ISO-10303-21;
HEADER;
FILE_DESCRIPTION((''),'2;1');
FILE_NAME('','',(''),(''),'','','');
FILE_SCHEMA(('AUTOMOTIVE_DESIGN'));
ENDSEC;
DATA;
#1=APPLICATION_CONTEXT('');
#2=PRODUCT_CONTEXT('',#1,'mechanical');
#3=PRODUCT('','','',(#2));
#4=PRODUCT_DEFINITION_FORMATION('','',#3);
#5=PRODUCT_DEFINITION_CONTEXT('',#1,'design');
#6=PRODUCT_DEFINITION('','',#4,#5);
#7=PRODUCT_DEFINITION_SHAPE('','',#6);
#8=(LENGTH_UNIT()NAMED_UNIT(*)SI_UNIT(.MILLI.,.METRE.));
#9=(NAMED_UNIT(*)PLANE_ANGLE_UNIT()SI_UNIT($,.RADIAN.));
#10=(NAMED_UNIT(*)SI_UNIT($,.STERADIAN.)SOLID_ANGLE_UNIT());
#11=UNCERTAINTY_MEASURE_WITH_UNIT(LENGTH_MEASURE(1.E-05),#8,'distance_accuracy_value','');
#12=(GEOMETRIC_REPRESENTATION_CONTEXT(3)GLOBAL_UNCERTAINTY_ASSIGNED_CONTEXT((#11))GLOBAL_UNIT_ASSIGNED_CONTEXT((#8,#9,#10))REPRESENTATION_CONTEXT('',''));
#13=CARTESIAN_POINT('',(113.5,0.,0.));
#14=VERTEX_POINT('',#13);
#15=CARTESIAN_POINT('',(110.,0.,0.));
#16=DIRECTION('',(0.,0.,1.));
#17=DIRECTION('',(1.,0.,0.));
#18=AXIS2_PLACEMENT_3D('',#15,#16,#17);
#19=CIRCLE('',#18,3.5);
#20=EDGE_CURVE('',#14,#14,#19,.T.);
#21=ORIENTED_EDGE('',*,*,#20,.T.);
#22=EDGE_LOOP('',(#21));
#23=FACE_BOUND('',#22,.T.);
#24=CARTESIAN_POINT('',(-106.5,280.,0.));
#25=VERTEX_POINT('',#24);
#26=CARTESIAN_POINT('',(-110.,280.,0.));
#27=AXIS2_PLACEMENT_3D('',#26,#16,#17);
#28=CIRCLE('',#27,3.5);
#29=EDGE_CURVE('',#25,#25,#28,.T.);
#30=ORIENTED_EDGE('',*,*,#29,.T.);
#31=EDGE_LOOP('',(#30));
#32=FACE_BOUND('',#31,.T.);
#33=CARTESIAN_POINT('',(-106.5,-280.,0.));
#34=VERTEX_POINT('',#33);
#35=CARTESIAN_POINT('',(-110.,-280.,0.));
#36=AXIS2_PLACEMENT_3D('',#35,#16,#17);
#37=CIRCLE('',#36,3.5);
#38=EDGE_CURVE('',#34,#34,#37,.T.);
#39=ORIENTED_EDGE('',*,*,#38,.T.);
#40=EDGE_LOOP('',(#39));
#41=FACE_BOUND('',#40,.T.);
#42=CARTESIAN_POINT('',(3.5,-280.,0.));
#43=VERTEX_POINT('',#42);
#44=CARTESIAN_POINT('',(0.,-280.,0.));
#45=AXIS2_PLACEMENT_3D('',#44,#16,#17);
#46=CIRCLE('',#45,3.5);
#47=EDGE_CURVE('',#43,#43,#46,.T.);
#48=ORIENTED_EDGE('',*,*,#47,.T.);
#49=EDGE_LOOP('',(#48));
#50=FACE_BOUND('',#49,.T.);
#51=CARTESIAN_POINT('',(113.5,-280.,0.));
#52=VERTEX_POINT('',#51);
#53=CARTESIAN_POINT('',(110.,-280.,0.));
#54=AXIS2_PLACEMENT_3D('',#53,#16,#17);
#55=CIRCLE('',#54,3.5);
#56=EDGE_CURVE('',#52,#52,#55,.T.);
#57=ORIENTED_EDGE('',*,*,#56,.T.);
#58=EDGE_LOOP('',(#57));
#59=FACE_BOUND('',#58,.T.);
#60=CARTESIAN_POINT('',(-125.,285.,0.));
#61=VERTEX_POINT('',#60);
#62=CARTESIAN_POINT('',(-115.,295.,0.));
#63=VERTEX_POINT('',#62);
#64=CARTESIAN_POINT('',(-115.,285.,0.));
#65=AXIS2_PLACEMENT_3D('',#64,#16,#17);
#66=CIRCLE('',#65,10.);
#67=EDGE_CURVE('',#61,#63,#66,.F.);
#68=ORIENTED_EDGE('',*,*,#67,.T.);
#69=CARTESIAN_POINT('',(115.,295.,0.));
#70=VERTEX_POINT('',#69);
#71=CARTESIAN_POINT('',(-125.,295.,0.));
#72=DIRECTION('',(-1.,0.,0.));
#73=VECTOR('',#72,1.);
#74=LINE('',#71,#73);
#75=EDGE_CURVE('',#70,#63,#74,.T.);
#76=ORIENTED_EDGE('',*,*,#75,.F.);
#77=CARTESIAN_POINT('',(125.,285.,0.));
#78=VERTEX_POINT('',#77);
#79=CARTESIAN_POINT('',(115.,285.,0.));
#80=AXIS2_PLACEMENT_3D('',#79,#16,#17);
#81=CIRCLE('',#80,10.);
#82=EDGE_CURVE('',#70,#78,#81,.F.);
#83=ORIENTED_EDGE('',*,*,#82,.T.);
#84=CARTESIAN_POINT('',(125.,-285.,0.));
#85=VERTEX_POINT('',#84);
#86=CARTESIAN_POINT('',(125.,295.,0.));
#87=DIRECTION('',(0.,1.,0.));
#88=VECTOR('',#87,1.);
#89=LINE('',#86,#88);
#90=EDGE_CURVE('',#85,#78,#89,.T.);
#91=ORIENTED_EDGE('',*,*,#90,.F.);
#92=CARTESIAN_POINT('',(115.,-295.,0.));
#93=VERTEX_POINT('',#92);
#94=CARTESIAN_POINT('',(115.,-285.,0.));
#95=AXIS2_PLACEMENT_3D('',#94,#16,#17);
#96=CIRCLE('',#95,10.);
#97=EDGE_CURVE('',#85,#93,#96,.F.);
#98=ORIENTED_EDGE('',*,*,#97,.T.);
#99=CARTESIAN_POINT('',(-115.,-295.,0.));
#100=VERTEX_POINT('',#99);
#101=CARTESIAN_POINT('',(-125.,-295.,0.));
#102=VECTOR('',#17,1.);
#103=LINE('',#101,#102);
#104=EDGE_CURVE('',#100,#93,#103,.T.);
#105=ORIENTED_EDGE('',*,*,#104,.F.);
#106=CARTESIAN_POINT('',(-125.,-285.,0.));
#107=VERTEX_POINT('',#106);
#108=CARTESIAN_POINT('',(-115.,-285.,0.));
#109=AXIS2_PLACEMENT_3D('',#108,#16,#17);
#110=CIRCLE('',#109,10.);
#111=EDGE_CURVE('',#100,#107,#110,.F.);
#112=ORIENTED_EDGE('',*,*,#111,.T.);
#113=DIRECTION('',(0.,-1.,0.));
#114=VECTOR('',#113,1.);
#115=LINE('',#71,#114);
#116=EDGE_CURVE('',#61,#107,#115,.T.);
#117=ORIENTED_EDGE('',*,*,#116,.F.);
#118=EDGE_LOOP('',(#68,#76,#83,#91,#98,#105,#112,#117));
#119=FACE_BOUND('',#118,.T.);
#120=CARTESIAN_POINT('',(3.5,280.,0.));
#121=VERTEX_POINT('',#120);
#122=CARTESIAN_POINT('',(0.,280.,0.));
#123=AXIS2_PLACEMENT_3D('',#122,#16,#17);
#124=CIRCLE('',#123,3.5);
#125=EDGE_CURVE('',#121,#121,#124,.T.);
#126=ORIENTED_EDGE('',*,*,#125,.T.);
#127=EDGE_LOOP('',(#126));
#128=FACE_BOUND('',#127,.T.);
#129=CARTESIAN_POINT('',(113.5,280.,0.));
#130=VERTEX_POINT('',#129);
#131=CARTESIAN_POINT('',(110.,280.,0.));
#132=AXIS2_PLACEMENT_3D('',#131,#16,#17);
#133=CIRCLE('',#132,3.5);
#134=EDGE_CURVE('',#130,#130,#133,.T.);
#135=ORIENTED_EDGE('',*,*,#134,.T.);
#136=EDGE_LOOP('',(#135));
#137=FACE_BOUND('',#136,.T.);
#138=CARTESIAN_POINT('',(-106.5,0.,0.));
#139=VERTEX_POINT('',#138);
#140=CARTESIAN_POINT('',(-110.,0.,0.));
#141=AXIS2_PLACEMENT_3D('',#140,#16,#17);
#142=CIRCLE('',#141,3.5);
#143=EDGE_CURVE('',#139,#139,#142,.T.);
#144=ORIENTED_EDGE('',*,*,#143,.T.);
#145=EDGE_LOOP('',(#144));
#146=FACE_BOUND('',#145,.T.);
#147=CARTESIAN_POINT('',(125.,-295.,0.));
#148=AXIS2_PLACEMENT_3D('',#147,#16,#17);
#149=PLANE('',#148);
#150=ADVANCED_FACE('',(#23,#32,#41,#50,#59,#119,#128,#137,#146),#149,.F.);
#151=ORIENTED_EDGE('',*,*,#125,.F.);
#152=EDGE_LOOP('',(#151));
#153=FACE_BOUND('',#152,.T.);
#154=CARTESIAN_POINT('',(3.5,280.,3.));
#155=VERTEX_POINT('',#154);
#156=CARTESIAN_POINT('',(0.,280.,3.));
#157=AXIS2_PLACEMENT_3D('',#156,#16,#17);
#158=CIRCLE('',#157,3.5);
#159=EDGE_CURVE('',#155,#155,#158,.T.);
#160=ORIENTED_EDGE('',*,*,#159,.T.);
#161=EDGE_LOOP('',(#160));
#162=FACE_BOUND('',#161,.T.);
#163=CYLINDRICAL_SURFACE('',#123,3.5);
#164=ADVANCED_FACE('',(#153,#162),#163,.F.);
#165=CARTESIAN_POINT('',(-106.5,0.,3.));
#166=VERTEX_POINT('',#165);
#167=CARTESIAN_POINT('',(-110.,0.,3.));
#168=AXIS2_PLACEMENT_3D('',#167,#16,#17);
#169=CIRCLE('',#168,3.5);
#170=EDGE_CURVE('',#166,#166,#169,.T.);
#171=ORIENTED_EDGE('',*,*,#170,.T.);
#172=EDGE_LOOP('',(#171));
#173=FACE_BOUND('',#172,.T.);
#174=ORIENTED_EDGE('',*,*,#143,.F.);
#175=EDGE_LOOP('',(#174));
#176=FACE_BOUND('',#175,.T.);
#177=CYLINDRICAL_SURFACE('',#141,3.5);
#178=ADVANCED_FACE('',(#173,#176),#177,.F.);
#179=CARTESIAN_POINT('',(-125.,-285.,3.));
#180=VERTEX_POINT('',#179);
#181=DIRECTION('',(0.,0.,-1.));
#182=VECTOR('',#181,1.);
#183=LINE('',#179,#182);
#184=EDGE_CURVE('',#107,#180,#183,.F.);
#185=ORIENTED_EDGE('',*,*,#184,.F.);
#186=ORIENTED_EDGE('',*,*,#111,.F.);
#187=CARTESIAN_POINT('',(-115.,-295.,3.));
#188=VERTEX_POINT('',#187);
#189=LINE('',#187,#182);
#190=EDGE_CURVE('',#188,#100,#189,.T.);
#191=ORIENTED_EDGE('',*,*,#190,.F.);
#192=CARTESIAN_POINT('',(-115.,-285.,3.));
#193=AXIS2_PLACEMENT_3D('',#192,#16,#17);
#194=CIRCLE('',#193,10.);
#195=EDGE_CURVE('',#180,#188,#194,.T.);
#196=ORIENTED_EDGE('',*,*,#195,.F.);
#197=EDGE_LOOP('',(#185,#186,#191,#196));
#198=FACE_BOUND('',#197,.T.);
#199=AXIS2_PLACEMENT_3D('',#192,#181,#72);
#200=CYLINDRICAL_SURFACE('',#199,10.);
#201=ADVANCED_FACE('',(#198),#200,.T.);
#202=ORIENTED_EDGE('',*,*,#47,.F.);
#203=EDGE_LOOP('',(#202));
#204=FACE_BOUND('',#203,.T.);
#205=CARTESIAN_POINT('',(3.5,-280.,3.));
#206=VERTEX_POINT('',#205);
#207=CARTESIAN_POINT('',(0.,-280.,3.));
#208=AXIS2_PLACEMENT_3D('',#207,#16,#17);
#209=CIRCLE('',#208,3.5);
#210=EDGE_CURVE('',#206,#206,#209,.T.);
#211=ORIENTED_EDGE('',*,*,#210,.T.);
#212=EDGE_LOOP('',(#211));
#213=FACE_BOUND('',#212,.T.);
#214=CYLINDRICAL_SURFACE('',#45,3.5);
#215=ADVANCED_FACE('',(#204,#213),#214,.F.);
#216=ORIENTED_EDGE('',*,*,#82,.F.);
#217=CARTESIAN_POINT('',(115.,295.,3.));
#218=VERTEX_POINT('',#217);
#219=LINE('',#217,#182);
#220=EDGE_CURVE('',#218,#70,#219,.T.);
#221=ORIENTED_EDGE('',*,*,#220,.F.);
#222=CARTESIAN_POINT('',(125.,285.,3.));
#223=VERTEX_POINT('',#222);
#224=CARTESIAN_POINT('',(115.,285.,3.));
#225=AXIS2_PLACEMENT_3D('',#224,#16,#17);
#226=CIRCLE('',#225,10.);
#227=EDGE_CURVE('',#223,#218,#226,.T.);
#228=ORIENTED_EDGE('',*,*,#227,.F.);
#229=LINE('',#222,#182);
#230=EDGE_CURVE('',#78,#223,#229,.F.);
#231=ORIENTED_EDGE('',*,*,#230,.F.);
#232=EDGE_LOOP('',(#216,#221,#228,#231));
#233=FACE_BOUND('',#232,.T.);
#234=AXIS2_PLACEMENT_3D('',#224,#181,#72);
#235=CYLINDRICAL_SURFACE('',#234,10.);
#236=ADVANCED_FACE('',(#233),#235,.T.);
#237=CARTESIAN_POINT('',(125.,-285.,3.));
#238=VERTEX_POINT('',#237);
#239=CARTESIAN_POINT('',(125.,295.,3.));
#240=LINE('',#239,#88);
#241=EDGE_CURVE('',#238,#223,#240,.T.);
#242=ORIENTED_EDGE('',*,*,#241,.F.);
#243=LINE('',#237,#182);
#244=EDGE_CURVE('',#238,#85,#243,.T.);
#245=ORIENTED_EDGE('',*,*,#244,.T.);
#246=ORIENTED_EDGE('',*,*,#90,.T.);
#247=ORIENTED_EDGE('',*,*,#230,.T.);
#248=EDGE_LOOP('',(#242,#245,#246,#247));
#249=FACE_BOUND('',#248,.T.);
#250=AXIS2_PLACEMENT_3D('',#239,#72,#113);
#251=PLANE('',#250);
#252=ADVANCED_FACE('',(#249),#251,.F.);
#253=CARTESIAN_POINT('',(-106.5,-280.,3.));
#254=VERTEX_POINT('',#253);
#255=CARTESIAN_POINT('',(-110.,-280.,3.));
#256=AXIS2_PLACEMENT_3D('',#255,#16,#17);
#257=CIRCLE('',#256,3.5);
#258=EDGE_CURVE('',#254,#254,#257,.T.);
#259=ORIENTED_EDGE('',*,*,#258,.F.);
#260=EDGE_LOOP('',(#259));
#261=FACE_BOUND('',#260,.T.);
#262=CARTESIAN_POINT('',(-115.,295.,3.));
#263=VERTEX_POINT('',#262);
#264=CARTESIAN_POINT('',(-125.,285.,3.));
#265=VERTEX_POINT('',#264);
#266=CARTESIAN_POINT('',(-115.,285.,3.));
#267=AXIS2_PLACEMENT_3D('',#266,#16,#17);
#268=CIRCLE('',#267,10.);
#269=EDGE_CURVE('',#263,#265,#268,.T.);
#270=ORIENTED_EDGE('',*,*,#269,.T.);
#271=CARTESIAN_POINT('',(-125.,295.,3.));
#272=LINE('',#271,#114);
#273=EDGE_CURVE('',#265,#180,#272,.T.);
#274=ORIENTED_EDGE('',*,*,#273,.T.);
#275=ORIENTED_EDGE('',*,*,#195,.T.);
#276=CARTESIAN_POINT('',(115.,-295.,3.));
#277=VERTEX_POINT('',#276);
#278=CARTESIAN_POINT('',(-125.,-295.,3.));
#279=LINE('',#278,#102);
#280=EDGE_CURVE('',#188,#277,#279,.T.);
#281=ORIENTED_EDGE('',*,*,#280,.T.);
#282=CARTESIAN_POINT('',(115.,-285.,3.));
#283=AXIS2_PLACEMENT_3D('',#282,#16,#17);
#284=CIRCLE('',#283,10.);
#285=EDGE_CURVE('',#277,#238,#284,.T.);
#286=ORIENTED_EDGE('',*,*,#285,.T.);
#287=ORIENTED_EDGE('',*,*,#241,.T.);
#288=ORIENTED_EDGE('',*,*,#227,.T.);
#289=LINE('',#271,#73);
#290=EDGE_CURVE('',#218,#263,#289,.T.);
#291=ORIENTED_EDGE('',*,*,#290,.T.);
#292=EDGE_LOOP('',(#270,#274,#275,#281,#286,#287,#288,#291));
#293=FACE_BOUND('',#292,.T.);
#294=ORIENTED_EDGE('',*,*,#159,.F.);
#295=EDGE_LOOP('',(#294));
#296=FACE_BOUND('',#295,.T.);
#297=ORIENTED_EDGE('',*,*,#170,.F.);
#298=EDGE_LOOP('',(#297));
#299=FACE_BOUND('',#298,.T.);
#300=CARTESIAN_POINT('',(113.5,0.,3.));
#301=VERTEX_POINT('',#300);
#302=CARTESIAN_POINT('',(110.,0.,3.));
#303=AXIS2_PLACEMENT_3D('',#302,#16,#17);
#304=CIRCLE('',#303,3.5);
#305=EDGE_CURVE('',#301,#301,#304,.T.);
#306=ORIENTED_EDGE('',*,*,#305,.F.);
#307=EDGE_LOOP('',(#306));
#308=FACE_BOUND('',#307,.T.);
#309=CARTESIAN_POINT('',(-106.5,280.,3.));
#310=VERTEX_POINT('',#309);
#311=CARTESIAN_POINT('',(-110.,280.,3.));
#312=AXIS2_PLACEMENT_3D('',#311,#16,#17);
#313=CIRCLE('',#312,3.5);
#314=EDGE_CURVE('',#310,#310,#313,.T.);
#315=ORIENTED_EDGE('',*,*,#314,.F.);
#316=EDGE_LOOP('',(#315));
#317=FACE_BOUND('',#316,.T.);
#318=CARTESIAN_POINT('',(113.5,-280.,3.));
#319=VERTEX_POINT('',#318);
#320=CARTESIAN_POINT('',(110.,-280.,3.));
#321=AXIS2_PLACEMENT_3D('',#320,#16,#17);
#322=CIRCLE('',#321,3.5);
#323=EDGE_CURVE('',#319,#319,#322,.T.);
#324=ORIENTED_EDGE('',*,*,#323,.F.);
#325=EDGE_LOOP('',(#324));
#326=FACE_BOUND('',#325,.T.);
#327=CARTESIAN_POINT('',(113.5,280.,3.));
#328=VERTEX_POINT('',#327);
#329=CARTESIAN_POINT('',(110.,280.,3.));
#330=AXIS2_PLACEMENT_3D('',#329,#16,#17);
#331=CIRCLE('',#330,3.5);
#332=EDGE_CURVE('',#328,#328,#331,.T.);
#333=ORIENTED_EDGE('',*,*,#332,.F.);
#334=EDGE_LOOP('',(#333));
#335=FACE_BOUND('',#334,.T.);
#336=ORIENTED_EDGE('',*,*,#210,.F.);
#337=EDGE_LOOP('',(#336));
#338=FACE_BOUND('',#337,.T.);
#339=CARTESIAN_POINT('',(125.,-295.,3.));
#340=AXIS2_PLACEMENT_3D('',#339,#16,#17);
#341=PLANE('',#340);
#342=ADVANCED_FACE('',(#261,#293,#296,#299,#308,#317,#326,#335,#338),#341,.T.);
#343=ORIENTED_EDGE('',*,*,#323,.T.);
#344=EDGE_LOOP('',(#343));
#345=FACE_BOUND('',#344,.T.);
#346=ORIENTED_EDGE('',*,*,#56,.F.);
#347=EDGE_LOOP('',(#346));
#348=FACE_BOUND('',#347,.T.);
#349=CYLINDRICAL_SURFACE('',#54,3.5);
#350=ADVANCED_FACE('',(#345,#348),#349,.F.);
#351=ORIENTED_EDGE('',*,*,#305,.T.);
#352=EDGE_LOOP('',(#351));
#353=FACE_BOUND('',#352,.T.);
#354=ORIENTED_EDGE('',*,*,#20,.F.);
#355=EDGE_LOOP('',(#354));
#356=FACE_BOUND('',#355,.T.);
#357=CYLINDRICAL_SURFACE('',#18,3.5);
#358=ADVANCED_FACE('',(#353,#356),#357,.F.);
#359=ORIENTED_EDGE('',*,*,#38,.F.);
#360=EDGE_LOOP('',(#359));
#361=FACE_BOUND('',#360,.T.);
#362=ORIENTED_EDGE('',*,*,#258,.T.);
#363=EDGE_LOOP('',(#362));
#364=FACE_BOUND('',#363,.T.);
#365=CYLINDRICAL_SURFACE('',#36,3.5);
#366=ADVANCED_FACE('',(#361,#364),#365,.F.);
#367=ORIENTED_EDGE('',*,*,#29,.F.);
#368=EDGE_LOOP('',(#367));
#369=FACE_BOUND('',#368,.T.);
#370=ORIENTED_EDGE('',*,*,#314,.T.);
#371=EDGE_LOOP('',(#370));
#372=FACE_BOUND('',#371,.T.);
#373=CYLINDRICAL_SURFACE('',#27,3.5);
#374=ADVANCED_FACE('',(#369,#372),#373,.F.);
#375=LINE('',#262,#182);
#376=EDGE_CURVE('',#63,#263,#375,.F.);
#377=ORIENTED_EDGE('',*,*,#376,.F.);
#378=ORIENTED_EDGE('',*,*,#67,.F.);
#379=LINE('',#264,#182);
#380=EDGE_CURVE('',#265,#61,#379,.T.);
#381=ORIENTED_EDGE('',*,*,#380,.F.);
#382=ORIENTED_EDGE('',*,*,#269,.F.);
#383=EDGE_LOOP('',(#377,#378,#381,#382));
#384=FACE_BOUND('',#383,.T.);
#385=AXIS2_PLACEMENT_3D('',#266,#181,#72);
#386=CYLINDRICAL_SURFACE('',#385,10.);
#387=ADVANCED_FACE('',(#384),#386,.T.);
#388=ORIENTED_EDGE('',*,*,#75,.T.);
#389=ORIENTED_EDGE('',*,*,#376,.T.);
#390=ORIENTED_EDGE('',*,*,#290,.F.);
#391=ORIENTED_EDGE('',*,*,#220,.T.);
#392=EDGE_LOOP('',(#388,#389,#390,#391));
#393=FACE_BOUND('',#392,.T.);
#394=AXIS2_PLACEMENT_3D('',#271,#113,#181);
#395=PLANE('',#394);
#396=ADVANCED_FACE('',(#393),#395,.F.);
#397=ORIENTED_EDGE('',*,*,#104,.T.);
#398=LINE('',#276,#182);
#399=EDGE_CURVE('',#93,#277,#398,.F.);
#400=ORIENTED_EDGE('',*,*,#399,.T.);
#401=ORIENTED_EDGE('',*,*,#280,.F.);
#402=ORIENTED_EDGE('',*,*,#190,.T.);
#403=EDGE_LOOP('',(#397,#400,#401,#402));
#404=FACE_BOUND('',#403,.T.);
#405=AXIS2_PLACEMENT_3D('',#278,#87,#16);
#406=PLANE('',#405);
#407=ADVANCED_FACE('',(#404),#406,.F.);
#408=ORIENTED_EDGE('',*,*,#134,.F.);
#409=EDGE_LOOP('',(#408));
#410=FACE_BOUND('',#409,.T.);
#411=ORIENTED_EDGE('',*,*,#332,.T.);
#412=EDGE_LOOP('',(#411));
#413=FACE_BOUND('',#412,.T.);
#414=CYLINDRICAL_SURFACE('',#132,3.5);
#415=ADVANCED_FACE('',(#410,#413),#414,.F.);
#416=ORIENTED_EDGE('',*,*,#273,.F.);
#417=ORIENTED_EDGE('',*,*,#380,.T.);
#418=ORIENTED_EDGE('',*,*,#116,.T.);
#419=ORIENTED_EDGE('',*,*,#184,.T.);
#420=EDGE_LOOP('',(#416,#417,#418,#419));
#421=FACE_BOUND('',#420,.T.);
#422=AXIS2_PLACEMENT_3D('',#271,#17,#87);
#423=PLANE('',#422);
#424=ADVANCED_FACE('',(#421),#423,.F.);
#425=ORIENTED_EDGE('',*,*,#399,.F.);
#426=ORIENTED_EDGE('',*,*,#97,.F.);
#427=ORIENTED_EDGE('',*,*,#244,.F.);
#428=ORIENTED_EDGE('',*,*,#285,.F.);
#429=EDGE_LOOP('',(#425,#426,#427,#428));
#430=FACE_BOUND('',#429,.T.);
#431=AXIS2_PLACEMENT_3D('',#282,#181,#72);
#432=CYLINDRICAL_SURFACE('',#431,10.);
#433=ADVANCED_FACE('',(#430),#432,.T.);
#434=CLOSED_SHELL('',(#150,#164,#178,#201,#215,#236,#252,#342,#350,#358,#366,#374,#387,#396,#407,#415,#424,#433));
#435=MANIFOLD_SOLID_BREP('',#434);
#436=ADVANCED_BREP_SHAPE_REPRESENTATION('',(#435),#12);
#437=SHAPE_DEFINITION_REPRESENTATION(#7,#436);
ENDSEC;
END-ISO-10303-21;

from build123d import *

# Parameters (mm, degrees)
SKETCH_1_W          = 250
SKETCH_1_H          = 590
EXTRUDE_1_DEPTH     = 3
FILLET_1_R          = 10
SKETCH_3_R          = 3.5
CUT_EXTRUDE_1_DEPTH = 3


with BuildPart() as part:
    # 草图1 → 凸台-拉伸1 (new body)
    with BuildSketch(Plane.XY):
        Rectangle(SKETCH_1_W, SKETCH_1_H)
    extrude(amount=EXTRUDE_1_DEPTH)

    # 圆角1
    fillet_1_edges = [part.edges().sort_by_distance(p)[0] for p in [
        (125, -295, 1.5),
        (-125, -295, 1.5),
        (-125, 295, 1.5),
        (125, 295, 1.5),
    ]]
    fillet(fillet_1_edges, radius=FILLET_1_R)

    # 草图3 → 切除-拉伸1 (cut)
    with BuildSketch(Plane.XY.offset(3)):
        with Locations((-110, 280)):
            Circle(SKETCH_3_R)
        with Locations((-110, -280)):
            Circle(SKETCH_3_R)
        with Locations((110, 280)):
            Circle(SKETCH_3_R)
        with Locations((110, -280)):
            Circle(SKETCH_3_R)
        with Locations((-110, 0)):
            Circle(SKETCH_3_R)
        with Locations((110, 0)):
            Circle(SKETCH_3_R)
        with Locations((0, 280)):
            Circle(SKETCH_3_R)
        with Locations((0, -280)):
            Circle(SKETCH_3_R)
    extrude(amount=-CUT_EXTRUDE_1_DEPTH, mode=Mode.SUBTRACT)


solid = part.part
